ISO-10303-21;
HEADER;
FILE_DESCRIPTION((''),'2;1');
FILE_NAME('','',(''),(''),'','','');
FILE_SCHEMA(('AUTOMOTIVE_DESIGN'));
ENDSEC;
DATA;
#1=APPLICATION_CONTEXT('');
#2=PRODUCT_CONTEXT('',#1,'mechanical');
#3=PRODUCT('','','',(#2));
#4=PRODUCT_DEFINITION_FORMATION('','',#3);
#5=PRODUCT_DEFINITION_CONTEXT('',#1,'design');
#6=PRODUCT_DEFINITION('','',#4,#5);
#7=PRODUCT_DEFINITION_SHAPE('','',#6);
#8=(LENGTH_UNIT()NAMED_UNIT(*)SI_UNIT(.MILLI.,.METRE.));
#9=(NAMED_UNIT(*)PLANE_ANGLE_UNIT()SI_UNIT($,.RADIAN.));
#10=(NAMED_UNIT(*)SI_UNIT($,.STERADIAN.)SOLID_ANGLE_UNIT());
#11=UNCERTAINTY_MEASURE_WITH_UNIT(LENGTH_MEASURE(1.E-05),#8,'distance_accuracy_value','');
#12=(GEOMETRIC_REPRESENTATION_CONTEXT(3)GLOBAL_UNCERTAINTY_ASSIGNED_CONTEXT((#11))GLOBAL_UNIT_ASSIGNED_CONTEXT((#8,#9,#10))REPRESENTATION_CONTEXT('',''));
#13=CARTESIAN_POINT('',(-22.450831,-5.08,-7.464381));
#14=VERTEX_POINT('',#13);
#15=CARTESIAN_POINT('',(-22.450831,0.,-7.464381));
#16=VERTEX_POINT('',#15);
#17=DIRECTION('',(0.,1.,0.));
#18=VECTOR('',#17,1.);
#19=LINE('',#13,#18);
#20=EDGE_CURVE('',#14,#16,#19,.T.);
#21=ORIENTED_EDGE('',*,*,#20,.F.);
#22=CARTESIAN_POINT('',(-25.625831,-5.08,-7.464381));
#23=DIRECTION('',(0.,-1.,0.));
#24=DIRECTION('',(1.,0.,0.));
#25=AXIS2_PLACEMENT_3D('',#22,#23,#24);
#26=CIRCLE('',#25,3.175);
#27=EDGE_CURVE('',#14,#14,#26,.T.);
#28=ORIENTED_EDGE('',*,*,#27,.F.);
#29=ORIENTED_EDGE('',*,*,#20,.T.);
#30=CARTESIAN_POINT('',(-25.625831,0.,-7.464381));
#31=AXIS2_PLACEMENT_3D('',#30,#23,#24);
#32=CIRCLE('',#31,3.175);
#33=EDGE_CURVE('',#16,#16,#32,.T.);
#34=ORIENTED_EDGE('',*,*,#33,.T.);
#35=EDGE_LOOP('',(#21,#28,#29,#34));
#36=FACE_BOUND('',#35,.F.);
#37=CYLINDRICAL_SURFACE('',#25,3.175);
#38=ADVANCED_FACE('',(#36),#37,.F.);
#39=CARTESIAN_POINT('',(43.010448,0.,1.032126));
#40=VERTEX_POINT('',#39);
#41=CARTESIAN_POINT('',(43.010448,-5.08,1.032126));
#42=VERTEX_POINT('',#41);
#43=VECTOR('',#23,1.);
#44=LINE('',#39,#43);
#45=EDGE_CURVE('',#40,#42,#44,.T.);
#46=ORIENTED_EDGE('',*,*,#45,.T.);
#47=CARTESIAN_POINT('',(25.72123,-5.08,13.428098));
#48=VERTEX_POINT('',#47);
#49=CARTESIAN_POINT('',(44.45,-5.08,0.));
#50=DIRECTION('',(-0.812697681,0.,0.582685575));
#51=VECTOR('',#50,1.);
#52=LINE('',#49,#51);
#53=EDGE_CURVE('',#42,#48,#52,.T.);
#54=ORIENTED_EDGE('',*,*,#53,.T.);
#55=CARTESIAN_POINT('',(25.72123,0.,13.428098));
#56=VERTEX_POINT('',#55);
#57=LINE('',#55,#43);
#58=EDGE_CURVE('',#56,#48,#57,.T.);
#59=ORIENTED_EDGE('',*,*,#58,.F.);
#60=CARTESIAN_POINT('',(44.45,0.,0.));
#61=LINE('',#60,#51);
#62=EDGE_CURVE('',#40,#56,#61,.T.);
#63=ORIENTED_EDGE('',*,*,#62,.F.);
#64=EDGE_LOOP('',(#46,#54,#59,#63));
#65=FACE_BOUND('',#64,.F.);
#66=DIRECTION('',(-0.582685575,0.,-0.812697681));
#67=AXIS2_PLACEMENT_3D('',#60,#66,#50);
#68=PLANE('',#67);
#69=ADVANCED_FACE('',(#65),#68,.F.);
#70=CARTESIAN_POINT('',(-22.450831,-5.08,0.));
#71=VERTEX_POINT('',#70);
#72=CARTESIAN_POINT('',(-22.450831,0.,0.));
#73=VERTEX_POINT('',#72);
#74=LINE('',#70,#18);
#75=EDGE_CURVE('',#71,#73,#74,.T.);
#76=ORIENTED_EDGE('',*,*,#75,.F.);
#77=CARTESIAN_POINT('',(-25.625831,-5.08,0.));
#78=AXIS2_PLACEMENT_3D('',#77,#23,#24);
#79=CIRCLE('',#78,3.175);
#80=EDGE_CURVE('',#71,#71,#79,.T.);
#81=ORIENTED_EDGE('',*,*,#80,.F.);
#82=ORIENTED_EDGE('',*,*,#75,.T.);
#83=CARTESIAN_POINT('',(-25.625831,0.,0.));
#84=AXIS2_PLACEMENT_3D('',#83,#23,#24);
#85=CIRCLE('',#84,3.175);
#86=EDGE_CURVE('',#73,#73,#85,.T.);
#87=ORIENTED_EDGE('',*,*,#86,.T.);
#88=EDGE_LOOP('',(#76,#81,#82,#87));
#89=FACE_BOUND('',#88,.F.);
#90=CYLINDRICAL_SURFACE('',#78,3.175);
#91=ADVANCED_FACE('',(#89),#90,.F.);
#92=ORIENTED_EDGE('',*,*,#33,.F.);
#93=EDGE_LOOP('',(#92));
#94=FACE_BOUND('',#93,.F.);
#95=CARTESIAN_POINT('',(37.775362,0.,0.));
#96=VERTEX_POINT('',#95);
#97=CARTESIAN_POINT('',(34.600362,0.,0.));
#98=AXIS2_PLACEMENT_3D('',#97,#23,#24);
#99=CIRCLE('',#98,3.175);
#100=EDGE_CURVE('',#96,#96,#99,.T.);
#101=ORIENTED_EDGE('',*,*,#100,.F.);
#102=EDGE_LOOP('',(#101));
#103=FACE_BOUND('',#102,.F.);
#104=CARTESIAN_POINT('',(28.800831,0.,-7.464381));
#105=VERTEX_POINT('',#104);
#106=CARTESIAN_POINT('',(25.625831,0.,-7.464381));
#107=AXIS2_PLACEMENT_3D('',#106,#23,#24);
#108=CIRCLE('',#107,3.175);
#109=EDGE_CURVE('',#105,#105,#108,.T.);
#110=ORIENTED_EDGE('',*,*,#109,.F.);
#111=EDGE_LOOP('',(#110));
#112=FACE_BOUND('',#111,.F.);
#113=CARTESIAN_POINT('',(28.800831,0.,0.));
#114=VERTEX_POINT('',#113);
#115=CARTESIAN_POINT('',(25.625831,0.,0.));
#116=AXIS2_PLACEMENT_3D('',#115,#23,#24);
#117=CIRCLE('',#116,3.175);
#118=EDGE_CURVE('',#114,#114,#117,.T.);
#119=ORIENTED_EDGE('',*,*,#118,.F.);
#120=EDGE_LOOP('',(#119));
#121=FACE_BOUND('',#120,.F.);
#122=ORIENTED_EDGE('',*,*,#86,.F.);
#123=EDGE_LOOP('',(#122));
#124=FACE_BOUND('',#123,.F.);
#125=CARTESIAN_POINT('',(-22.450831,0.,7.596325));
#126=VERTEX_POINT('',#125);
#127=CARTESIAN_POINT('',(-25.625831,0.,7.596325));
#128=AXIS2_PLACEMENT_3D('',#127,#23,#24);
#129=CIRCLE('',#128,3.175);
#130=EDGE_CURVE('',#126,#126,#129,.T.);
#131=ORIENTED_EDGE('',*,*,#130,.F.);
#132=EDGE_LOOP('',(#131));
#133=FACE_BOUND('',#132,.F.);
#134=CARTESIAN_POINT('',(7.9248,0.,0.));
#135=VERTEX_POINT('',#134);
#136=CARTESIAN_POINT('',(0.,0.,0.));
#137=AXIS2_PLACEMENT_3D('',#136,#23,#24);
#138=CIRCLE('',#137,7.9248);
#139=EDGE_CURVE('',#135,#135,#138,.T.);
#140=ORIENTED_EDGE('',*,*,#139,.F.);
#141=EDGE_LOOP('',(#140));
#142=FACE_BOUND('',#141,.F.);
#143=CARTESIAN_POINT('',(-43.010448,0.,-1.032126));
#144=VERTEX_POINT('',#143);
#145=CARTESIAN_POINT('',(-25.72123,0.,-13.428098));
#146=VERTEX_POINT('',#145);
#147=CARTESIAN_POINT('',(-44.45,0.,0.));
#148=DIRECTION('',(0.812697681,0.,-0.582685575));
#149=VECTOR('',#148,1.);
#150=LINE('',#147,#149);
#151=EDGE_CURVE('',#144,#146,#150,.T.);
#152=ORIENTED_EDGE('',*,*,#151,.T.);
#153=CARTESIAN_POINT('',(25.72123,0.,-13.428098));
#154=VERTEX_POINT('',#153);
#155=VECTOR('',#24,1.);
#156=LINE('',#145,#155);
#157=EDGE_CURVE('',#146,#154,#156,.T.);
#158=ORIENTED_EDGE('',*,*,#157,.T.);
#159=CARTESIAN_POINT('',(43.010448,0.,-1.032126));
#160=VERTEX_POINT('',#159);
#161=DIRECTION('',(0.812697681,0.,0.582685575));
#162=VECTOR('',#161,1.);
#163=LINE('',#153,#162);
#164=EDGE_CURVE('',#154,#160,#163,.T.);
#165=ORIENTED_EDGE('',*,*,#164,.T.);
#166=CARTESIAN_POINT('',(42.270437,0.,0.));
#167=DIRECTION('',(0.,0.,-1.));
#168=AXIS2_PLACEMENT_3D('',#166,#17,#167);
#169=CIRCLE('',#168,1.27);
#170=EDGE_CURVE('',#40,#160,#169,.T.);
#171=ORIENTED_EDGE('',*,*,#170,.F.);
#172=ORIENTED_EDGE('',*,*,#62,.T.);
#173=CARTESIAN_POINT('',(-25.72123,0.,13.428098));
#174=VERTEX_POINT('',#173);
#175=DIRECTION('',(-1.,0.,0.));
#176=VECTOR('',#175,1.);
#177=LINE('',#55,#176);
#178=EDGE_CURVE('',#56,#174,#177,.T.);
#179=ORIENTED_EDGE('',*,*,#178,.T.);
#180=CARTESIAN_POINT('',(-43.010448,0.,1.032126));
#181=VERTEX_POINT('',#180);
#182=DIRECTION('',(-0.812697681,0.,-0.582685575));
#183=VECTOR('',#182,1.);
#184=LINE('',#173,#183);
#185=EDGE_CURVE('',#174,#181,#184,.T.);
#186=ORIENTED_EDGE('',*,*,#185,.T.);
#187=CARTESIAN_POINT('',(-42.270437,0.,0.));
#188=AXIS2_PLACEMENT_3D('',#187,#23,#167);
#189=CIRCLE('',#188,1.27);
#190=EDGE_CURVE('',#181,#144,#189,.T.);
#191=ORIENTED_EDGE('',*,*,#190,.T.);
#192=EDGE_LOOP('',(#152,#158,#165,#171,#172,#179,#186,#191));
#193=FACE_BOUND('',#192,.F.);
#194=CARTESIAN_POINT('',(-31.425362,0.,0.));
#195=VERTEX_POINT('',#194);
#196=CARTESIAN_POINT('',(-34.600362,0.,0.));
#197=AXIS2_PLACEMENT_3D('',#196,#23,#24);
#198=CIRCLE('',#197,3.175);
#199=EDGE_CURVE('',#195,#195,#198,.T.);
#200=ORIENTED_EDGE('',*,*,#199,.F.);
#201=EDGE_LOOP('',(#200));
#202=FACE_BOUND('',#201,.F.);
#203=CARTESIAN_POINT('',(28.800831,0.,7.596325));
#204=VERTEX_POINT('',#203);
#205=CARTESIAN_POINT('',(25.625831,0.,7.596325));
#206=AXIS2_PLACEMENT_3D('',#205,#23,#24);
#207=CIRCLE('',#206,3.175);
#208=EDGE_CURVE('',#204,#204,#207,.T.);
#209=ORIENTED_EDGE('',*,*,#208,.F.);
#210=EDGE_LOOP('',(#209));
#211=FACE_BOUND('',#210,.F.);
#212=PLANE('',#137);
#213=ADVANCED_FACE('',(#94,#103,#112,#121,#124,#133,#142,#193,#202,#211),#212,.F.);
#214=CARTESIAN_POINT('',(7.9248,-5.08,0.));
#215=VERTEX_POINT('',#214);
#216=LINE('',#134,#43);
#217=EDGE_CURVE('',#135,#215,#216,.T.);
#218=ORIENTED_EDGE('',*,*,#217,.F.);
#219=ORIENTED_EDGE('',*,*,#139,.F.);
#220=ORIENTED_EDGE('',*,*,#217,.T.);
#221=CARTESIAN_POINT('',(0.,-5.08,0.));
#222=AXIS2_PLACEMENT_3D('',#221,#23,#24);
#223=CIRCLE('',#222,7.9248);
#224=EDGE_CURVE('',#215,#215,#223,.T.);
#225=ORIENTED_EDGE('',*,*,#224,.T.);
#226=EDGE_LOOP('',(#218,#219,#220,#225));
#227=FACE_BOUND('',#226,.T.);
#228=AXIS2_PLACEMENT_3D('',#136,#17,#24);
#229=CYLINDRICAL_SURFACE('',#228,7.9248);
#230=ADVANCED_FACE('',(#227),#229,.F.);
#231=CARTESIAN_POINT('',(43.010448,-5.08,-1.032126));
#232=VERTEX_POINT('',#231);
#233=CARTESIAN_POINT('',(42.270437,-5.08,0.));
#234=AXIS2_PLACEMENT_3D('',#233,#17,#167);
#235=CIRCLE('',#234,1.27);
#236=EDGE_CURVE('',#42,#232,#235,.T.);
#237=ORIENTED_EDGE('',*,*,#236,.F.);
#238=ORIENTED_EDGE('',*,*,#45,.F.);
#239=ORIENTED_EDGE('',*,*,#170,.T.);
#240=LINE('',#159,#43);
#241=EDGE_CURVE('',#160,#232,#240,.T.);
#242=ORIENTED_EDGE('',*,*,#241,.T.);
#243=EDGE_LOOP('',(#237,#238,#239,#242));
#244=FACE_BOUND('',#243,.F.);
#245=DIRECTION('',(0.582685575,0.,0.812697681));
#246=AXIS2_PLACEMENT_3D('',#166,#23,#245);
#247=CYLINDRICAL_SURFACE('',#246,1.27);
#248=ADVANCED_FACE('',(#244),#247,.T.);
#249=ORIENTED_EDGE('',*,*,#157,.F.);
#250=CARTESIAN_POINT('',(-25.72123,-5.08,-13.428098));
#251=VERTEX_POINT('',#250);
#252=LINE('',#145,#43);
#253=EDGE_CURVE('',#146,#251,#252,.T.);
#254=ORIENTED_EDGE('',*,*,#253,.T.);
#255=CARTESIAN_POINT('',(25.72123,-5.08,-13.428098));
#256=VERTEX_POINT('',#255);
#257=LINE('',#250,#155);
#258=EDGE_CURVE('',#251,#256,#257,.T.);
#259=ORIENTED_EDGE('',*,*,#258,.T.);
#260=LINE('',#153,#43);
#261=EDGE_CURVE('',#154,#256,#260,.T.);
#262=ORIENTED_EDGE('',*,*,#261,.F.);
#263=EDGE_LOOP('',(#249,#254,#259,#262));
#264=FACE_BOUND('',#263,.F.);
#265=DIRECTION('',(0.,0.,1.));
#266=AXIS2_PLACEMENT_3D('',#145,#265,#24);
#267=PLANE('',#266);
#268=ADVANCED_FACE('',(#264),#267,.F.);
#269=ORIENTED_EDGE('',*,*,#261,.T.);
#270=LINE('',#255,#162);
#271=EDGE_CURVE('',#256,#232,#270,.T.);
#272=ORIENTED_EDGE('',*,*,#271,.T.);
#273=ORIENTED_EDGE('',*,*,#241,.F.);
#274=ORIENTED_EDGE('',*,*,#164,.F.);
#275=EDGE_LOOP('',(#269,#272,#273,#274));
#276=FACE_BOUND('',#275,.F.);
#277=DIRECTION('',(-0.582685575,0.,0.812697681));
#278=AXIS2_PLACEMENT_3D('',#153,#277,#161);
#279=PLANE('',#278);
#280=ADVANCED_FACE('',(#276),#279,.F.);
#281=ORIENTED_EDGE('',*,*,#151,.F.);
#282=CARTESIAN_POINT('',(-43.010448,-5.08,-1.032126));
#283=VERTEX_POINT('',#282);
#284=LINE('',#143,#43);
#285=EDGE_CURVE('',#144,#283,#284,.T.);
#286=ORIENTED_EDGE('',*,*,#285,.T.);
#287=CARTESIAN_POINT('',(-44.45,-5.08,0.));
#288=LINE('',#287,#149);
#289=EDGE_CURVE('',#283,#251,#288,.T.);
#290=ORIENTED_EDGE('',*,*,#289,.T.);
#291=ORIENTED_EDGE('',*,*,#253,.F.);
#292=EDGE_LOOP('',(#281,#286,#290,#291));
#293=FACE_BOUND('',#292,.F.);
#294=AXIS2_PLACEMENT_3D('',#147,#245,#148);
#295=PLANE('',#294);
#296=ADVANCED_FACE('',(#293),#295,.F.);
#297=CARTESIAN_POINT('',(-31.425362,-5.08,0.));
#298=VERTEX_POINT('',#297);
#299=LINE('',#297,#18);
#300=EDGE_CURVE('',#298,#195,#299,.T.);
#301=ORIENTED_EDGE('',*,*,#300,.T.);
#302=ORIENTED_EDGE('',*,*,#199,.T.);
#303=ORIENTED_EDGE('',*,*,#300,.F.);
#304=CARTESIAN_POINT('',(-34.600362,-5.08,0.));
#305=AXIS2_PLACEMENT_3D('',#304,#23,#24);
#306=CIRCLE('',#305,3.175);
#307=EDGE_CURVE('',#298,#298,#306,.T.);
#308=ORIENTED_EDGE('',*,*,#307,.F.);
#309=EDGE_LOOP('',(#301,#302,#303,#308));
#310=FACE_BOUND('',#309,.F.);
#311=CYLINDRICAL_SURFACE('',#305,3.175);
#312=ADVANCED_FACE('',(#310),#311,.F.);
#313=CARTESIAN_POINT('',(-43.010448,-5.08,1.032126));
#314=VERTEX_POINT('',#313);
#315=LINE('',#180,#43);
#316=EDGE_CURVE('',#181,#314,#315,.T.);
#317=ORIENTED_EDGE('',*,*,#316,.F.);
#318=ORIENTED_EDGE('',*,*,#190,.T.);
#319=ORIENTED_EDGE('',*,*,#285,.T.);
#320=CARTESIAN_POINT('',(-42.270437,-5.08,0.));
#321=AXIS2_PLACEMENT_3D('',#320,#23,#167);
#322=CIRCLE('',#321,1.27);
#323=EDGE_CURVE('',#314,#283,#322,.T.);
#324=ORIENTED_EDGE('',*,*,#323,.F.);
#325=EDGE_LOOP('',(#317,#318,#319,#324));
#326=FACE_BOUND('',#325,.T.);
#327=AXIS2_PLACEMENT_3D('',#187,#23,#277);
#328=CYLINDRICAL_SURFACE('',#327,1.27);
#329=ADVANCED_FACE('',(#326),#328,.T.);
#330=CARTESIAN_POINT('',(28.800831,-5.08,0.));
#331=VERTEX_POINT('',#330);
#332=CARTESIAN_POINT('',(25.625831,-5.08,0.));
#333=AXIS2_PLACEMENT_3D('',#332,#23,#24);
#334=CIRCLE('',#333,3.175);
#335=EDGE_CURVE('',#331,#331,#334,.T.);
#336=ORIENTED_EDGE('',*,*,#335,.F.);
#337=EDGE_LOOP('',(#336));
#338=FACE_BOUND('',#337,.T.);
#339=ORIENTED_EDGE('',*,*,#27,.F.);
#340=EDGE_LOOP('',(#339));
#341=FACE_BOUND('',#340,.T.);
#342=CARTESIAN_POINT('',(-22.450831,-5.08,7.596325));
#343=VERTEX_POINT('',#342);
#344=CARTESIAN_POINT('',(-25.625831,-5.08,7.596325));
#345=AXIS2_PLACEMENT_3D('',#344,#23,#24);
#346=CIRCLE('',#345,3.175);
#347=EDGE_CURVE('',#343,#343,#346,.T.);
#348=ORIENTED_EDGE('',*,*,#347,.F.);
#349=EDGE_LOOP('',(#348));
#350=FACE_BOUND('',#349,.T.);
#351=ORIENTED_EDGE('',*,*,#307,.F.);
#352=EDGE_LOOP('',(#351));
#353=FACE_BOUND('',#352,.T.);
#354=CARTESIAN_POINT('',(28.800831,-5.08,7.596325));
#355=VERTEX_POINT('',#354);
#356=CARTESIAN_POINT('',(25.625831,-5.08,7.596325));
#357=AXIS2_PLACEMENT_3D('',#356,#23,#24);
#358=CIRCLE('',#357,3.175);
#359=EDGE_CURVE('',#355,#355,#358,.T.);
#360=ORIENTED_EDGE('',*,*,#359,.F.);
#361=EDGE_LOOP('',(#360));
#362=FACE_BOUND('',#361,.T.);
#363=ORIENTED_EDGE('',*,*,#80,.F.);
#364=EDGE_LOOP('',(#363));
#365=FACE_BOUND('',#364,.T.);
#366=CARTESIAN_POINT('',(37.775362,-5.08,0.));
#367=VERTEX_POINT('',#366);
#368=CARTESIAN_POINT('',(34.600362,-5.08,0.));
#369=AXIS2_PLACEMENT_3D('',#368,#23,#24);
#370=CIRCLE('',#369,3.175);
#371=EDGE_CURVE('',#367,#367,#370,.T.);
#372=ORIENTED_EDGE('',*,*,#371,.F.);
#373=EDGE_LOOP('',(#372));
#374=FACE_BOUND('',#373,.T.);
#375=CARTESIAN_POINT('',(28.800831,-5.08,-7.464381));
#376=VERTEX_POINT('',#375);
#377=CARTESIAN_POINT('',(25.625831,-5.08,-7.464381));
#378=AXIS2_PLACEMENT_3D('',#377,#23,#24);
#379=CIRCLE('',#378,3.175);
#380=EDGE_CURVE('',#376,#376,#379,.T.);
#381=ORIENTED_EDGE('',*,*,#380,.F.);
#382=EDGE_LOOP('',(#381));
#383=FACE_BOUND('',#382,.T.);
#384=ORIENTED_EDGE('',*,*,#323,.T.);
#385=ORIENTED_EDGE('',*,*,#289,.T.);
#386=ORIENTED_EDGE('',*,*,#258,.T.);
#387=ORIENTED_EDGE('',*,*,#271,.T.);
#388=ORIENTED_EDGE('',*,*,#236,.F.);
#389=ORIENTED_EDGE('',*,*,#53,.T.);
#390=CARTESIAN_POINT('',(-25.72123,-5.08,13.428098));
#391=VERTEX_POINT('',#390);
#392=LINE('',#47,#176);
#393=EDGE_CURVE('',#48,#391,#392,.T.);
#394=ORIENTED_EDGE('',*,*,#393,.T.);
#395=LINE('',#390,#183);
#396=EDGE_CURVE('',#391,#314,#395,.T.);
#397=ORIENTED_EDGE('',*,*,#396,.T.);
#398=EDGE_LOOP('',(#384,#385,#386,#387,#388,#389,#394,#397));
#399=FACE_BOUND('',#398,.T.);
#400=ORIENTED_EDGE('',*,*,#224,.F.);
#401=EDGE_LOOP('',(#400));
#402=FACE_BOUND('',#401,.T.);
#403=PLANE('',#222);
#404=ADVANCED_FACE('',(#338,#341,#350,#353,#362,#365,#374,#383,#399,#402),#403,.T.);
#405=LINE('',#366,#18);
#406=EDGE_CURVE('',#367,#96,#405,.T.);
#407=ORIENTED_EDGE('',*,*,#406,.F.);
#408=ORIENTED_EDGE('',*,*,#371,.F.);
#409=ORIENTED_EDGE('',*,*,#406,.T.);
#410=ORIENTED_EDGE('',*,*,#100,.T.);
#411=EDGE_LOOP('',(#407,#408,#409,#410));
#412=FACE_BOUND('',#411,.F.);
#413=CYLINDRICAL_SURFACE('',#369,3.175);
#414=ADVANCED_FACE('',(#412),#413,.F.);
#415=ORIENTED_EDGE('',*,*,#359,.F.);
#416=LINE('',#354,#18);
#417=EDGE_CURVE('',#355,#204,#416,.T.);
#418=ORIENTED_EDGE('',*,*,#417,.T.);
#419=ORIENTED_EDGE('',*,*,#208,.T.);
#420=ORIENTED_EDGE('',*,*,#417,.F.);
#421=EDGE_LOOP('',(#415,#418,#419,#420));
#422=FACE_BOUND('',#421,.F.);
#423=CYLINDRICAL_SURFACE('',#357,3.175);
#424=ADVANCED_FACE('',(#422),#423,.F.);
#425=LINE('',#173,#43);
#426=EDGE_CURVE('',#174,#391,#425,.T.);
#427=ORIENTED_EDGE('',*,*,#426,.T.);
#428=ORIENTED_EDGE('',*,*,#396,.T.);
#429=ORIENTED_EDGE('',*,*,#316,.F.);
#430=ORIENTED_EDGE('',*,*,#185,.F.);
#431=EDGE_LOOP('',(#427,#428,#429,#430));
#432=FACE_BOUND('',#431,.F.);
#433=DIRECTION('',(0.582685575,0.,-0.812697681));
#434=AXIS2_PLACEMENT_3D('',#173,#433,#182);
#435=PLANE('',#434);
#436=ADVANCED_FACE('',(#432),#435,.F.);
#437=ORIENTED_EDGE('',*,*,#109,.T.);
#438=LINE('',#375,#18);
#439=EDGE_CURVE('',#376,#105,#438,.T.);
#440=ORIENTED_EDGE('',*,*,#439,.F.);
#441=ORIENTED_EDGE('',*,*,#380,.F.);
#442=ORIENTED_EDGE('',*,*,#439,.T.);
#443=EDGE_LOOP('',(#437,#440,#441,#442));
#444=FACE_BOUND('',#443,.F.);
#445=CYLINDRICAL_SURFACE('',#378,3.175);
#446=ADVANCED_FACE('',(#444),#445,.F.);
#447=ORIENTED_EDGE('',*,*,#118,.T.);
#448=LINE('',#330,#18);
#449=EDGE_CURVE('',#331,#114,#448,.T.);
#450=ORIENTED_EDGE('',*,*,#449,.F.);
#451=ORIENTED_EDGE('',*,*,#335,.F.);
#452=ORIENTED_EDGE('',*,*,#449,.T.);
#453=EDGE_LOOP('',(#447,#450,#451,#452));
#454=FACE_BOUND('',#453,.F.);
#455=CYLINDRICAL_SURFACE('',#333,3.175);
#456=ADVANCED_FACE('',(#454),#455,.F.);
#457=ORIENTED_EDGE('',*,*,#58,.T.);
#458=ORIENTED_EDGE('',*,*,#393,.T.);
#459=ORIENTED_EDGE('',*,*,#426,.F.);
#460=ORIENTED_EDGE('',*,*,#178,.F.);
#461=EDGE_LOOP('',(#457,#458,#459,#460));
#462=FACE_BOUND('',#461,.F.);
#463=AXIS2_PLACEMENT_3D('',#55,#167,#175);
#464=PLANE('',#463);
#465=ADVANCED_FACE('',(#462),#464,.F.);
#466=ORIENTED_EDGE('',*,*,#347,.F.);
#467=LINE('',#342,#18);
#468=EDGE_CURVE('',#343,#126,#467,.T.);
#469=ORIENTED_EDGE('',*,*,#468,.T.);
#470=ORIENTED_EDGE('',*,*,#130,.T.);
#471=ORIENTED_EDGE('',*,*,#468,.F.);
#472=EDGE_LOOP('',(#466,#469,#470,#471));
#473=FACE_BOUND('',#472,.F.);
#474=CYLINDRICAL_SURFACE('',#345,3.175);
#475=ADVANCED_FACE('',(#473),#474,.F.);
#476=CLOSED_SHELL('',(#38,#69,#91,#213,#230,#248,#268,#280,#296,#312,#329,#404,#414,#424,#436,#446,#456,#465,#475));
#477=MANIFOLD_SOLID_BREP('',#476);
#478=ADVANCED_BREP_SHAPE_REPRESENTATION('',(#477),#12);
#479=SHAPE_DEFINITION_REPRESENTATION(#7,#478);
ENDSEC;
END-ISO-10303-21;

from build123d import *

# Parameters (mm, degrees)
F0_R     = 7.9248
F1_DEPTH = 5.08
F2_R     = 1.27
F3_R     = 3.175
F4_DEPTH = 25.4


with BuildPart() as f1:
    # F0 (on Front) → F1 (new body)
    with BuildSketch(Plane.XZ):
        Polygon((-25.72123, 13.428098), (-44.45, 0), (-25.72123, -13.428098), (25.72123, -13.428098), (44.45, 0), (25.72123, 13.428098), align=None)
        Circle(F0_R, mode=Mode.SUBTRACT)
    extrude(amount=F1_DEPTH)

    # F2
    f2_edges = [f1.edges().sort_by_distance(p)[0] for p in [
        (44.45, -2.54, 0),
        (-44.45, -2.54, 0),
    ]]
    fillet(f2_edges, radius=F2_R)

    # F3 (on face) → F4 (cut)
    with BuildSketch(Plane.XZ.offset(5.08)):
        with Locations((-25.625831, 7.596325)):
            Circle(F3_R)
        with Locations((-25.625831, 0)):
            Circle(F3_R)
        with Locations((-25.625831, -7.464381)):
            Circle(F3_R)
        with Locations((-34.600362, 0)):
            Circle(F3_R)
        with Locations((25.625831, 0)):
            Circle(F3_R)
        with Locations((25.625831, 7.596325)):
            Circle(F3_R)
        with Locations((34.600362, 0)):
            Circle(F3_R)
        with Locations((25.625831, -7.464381)):
            Circle(F3_R)
    extrude(amount=-F4_DEPTH, mode=Mode.SUBTRACT)


solid = f1.part
